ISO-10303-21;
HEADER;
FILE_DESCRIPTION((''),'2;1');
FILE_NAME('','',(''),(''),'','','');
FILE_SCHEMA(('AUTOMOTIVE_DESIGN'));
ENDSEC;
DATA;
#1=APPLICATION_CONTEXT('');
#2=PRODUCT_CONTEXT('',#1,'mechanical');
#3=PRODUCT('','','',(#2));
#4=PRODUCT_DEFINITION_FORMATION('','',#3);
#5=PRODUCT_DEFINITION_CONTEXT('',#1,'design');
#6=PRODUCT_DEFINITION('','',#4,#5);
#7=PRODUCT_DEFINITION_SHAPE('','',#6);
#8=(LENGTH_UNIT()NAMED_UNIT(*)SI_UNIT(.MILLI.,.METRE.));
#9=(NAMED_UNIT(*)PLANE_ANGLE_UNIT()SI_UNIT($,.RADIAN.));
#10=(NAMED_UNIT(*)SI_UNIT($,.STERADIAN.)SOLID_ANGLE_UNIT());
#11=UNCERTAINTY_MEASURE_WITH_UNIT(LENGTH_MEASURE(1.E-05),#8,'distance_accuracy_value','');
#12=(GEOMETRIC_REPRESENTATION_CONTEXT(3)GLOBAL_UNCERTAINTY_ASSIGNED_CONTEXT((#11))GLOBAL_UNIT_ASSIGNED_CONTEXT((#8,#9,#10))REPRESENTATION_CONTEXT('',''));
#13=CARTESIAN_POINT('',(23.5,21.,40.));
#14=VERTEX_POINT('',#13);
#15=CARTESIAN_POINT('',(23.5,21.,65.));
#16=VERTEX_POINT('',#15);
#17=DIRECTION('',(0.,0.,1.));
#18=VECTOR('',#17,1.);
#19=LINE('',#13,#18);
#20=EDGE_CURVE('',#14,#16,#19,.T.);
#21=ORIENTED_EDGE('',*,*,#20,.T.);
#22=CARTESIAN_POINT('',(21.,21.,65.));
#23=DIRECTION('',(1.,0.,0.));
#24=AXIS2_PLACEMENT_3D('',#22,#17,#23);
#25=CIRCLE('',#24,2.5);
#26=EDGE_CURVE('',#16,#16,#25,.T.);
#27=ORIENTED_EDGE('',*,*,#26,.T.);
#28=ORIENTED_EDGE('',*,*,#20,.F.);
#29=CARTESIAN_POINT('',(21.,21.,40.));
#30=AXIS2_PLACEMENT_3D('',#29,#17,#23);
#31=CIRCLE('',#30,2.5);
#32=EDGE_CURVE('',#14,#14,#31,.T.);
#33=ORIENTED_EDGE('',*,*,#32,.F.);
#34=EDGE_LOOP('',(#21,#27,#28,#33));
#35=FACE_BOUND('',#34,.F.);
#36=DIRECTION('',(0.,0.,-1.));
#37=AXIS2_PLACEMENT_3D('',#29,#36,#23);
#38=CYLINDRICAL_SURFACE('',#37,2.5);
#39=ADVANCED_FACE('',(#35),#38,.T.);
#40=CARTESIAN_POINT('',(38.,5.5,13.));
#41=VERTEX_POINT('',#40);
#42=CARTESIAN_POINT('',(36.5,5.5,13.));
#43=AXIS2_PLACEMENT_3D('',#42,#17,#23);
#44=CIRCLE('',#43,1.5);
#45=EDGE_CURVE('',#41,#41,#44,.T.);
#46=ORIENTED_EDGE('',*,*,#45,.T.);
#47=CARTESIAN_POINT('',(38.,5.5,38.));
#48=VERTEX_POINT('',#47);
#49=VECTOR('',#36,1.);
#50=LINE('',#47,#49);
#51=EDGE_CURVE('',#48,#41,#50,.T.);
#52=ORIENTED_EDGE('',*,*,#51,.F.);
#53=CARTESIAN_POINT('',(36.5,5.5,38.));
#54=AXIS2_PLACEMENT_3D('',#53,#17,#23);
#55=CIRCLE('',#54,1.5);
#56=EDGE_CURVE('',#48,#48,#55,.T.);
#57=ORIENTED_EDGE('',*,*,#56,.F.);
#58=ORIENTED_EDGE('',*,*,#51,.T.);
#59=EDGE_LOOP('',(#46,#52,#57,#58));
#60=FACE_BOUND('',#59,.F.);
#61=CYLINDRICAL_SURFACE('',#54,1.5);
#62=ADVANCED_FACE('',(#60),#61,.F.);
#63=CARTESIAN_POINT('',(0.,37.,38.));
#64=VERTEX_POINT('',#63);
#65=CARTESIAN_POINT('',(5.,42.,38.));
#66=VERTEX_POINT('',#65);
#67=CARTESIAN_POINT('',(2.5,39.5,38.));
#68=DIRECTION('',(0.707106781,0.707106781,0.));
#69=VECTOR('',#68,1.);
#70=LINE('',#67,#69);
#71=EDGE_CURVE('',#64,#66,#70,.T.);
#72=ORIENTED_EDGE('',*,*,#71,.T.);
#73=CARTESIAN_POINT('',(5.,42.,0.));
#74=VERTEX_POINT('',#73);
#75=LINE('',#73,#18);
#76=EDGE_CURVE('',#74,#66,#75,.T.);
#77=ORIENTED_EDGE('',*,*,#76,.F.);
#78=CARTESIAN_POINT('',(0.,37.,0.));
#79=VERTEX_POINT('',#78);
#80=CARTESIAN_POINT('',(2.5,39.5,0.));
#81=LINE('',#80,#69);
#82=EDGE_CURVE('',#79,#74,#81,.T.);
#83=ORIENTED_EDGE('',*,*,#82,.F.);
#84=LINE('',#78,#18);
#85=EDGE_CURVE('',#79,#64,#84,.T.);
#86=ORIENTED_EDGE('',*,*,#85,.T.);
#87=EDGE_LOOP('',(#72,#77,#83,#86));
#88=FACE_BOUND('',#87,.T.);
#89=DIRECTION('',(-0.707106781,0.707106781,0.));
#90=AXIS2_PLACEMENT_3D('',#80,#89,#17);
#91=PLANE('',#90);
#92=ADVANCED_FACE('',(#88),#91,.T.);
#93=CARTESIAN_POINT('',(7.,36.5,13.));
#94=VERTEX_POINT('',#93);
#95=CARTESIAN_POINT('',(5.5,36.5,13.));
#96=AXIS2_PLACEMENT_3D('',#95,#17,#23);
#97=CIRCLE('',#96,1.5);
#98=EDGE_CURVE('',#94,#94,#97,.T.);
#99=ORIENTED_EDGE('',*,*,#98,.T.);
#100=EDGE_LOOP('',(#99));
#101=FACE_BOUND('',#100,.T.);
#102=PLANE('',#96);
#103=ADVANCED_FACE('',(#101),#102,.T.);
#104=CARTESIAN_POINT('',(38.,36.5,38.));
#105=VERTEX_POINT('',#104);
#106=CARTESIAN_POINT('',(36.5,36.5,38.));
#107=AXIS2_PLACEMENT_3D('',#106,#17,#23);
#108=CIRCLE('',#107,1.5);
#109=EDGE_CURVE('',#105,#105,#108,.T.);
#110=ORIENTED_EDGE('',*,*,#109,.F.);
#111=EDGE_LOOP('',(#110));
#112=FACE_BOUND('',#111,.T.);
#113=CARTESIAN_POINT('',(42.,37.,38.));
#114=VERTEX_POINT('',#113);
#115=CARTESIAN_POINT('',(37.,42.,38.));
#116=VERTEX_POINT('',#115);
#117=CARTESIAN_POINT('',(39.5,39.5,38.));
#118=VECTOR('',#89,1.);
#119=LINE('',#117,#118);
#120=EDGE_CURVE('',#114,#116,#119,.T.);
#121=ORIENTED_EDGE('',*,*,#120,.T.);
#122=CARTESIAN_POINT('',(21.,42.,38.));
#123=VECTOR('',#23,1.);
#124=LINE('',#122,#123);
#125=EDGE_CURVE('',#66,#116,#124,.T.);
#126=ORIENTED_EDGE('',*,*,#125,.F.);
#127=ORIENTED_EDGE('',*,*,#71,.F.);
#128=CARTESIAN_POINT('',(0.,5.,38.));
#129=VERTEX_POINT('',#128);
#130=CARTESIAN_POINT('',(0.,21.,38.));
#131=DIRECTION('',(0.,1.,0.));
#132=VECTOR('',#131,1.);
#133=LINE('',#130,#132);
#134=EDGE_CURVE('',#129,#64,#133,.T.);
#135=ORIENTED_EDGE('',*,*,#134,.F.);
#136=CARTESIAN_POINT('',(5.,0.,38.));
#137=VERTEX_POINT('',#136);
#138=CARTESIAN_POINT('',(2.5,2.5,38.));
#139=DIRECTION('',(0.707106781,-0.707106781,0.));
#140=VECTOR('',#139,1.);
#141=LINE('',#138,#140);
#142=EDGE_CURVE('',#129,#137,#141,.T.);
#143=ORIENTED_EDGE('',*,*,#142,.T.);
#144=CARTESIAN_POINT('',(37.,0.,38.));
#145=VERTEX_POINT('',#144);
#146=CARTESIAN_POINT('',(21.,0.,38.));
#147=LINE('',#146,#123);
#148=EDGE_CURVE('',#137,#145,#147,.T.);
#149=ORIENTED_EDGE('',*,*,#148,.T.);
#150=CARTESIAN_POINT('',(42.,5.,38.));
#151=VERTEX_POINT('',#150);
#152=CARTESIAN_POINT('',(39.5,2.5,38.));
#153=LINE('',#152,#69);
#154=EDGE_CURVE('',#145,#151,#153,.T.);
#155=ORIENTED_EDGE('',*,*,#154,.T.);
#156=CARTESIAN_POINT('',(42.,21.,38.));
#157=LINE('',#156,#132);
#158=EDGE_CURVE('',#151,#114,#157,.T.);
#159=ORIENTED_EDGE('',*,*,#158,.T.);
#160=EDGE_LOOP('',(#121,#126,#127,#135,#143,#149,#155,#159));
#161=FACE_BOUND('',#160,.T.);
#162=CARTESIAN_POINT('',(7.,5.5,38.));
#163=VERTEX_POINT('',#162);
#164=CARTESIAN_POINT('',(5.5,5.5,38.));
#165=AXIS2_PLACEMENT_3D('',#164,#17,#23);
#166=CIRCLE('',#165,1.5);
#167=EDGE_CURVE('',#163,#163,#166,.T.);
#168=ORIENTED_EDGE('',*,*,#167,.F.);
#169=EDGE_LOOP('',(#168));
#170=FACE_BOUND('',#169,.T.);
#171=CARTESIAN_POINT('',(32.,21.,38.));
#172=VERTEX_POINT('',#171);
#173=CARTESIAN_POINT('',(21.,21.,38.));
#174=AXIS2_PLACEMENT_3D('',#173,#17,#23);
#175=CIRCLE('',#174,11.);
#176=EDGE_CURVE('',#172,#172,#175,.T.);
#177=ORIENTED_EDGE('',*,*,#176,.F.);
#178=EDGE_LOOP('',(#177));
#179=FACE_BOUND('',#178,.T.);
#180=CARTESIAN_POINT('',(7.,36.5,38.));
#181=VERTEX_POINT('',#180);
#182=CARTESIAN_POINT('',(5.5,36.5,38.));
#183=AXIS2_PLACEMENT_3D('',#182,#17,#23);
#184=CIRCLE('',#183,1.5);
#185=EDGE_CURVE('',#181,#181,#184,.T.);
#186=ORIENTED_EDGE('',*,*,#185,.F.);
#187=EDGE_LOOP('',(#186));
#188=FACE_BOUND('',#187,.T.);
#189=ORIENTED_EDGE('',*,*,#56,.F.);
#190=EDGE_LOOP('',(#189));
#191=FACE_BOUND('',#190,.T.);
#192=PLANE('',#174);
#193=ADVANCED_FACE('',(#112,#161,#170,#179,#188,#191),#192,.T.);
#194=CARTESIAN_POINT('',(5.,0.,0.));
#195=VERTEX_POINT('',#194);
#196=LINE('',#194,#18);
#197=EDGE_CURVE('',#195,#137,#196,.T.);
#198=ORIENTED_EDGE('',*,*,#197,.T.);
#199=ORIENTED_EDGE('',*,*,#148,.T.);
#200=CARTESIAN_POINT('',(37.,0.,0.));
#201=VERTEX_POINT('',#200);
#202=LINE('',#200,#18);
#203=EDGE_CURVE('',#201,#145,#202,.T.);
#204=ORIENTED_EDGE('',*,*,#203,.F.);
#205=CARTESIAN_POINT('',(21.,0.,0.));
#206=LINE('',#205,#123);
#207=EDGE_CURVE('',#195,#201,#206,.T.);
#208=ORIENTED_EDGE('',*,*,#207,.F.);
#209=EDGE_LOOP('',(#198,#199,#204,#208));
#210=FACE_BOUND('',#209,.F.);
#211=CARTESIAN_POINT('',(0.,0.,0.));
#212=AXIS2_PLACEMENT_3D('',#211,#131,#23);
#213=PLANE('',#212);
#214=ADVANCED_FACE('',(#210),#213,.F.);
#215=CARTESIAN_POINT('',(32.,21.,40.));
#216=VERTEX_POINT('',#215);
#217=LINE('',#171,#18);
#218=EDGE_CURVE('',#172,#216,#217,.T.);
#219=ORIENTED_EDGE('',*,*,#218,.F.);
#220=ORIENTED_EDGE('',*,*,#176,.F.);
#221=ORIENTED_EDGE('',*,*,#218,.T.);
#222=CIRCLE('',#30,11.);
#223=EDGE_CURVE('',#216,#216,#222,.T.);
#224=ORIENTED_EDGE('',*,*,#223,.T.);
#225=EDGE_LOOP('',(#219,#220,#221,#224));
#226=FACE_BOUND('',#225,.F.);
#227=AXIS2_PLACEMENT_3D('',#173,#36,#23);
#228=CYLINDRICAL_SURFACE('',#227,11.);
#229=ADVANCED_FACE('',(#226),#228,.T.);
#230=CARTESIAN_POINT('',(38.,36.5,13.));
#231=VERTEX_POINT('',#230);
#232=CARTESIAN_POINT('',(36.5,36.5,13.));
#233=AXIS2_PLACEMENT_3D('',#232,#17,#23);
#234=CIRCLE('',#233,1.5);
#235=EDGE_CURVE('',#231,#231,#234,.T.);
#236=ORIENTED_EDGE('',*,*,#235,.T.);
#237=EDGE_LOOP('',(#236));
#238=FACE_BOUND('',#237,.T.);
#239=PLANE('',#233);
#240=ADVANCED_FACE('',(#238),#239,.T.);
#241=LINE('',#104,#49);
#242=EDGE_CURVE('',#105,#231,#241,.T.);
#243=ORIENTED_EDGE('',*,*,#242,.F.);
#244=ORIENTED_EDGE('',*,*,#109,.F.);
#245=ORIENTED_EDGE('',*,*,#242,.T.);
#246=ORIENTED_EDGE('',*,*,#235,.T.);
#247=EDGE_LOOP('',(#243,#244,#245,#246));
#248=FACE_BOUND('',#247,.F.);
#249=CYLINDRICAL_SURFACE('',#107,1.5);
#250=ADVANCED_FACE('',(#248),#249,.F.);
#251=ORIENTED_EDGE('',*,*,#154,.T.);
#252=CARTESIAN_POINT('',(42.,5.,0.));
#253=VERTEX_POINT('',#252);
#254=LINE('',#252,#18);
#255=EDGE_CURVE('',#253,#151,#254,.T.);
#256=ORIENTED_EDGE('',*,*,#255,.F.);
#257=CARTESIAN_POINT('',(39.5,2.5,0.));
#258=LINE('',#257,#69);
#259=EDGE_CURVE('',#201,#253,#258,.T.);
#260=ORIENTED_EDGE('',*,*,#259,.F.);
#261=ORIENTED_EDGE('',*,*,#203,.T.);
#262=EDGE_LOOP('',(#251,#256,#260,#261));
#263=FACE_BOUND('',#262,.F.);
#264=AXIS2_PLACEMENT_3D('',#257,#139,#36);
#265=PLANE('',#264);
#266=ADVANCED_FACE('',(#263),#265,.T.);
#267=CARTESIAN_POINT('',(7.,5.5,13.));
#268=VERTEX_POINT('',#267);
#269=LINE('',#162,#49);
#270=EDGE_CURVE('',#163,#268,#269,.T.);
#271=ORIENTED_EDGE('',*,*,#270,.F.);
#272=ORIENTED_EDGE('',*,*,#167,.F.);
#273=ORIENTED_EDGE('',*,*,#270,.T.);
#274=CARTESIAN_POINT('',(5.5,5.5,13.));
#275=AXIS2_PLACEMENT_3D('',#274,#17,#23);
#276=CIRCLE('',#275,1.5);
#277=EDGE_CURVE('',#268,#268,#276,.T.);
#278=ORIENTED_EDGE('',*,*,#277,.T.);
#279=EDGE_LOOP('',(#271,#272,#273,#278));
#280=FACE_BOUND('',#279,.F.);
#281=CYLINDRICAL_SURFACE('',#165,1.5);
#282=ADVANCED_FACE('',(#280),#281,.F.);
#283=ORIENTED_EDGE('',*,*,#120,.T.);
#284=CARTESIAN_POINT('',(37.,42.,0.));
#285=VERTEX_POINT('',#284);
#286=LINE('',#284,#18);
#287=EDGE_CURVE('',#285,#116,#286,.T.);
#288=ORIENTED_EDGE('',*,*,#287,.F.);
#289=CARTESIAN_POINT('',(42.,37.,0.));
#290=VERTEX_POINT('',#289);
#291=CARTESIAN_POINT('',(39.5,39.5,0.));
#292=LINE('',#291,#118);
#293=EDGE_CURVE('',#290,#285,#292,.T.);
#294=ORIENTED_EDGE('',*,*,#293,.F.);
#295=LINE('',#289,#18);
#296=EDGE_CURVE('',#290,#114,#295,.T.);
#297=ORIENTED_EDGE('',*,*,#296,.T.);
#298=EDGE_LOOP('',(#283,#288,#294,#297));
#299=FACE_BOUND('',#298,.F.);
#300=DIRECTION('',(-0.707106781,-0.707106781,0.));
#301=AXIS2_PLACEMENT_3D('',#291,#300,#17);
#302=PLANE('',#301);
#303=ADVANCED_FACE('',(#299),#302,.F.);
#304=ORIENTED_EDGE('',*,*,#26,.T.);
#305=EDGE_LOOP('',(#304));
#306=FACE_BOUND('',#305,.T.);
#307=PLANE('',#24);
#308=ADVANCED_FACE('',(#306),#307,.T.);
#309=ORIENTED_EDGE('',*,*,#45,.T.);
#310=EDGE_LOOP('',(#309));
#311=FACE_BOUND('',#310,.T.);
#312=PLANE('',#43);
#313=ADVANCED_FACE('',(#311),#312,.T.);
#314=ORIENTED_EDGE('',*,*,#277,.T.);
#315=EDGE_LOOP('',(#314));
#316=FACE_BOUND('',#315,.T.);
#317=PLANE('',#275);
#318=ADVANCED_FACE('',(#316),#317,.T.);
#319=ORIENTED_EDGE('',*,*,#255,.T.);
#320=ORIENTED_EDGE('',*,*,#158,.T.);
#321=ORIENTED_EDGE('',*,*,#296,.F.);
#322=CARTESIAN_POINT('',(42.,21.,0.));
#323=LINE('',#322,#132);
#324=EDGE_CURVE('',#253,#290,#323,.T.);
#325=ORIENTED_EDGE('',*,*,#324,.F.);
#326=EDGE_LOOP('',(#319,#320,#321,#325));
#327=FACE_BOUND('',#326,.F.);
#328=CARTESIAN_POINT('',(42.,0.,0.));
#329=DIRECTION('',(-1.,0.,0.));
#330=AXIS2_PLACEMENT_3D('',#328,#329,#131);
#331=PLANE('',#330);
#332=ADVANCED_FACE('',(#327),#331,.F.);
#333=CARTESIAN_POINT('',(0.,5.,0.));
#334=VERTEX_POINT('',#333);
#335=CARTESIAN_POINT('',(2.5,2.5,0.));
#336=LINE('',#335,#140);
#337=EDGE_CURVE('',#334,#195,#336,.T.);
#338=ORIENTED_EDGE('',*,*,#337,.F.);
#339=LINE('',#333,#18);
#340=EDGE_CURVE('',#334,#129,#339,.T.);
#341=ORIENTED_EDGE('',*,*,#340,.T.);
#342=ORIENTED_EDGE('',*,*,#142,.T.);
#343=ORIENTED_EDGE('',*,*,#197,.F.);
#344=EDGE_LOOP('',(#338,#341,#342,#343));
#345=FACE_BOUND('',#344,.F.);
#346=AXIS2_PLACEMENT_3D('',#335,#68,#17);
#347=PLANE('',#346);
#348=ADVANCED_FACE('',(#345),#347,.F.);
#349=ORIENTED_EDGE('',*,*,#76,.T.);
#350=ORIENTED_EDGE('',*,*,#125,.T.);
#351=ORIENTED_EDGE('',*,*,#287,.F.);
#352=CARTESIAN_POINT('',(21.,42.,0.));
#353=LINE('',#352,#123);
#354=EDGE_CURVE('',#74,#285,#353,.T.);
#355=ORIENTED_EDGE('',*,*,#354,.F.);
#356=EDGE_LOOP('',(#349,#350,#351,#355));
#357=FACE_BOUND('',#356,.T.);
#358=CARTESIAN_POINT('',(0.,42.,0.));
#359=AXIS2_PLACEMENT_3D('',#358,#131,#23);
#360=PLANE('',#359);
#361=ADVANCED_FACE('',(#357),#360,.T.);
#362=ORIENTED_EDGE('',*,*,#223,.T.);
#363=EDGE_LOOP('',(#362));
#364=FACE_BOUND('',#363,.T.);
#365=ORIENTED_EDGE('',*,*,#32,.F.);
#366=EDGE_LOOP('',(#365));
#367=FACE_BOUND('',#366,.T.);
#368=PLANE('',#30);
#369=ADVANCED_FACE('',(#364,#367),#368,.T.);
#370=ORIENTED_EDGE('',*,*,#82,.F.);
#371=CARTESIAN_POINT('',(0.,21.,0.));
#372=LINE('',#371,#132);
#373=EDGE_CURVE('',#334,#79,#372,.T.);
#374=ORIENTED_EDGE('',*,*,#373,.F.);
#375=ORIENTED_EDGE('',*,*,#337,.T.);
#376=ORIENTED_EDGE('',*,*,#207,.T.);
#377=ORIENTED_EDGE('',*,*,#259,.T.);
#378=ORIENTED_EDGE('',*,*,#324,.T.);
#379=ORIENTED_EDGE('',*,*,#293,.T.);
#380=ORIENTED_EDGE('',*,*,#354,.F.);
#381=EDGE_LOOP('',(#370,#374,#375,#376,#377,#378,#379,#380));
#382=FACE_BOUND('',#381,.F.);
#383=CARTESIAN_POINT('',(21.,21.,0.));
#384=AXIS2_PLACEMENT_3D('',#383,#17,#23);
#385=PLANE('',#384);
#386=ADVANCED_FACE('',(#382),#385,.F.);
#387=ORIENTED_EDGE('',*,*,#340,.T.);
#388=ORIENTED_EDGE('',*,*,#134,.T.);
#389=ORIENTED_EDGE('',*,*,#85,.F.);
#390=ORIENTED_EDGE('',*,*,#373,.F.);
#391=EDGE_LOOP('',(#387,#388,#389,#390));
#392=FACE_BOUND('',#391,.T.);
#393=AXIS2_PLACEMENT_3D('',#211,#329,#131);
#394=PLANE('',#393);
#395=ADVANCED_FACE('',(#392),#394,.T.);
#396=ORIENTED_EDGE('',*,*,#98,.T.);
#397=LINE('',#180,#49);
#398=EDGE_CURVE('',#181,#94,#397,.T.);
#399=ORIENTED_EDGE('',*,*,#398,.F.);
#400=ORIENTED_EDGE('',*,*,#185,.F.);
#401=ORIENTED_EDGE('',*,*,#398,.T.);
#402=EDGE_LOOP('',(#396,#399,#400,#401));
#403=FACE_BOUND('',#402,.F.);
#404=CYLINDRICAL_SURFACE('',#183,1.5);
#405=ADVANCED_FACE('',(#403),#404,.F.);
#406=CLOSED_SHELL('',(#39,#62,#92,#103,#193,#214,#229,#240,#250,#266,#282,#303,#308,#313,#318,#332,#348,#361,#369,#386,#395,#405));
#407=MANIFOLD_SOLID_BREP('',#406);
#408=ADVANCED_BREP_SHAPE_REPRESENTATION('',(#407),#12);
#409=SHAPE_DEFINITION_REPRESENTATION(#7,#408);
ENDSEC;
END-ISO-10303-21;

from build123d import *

# Parameters (mm, degrees)
F0_W     = 42
F0_H     = 42
F1_DEPTH = 38
F2_SIZE  = 5
F3_R     = 11
F4_DEPTH = 2
F5_R     = 2.5
F6_DEPTH = 25
F7_R     = 1.5
F8_DEPTH = 25


with BuildPart() as f1:
    # F0 (on Top) → F1 (new body)
    with BuildSketch(Plane.XY):
        with Locations((21, 21)):
            Rectangle(F0_W, F0_H)
    extrude(amount=F1_DEPTH)

    # F2
    f2_edges = [f1.edges().sort_by_distance(p)[0] for p in [
        (0, 0, 19),
        (0, 42, 19),
        (42, 0, 19),
        (42, 42, 19),
    ]]
    chamfer(f2_edges, length=F2_SIZE)

    # F3 (on face) → F4 (join)
    with BuildSketch(Plane.XY.offset(38)):
        with Locations((21, 21)):
            Circle(F3_R)
    extrude(amount=F4_DEPTH)

    # F5 (on face) → F6 (join)
    with BuildSketch(Plane.XY.offset(40)):
        with Locations((21, 21)):
            Circle(F5_R)
    extrude(amount=F6_DEPTH)

    # F7 (on face) → F8 (cut)
    with BuildSketch(Plane.XY.offset(38)):
        with Locations((5.5, 36.5)):
            Circle(F7_R)
        with Locations((5.5, 5.5)):
            Circle(F7_R)
        with Locations((36.5, 36.5)):
            Circle(F7_R)
        with Locations((36.5, 5.5)):
            Circle(F7_R)
    extrude(amount=-F8_DEPTH, mode=Mode.SUBTRACT)


solid = f1.part
